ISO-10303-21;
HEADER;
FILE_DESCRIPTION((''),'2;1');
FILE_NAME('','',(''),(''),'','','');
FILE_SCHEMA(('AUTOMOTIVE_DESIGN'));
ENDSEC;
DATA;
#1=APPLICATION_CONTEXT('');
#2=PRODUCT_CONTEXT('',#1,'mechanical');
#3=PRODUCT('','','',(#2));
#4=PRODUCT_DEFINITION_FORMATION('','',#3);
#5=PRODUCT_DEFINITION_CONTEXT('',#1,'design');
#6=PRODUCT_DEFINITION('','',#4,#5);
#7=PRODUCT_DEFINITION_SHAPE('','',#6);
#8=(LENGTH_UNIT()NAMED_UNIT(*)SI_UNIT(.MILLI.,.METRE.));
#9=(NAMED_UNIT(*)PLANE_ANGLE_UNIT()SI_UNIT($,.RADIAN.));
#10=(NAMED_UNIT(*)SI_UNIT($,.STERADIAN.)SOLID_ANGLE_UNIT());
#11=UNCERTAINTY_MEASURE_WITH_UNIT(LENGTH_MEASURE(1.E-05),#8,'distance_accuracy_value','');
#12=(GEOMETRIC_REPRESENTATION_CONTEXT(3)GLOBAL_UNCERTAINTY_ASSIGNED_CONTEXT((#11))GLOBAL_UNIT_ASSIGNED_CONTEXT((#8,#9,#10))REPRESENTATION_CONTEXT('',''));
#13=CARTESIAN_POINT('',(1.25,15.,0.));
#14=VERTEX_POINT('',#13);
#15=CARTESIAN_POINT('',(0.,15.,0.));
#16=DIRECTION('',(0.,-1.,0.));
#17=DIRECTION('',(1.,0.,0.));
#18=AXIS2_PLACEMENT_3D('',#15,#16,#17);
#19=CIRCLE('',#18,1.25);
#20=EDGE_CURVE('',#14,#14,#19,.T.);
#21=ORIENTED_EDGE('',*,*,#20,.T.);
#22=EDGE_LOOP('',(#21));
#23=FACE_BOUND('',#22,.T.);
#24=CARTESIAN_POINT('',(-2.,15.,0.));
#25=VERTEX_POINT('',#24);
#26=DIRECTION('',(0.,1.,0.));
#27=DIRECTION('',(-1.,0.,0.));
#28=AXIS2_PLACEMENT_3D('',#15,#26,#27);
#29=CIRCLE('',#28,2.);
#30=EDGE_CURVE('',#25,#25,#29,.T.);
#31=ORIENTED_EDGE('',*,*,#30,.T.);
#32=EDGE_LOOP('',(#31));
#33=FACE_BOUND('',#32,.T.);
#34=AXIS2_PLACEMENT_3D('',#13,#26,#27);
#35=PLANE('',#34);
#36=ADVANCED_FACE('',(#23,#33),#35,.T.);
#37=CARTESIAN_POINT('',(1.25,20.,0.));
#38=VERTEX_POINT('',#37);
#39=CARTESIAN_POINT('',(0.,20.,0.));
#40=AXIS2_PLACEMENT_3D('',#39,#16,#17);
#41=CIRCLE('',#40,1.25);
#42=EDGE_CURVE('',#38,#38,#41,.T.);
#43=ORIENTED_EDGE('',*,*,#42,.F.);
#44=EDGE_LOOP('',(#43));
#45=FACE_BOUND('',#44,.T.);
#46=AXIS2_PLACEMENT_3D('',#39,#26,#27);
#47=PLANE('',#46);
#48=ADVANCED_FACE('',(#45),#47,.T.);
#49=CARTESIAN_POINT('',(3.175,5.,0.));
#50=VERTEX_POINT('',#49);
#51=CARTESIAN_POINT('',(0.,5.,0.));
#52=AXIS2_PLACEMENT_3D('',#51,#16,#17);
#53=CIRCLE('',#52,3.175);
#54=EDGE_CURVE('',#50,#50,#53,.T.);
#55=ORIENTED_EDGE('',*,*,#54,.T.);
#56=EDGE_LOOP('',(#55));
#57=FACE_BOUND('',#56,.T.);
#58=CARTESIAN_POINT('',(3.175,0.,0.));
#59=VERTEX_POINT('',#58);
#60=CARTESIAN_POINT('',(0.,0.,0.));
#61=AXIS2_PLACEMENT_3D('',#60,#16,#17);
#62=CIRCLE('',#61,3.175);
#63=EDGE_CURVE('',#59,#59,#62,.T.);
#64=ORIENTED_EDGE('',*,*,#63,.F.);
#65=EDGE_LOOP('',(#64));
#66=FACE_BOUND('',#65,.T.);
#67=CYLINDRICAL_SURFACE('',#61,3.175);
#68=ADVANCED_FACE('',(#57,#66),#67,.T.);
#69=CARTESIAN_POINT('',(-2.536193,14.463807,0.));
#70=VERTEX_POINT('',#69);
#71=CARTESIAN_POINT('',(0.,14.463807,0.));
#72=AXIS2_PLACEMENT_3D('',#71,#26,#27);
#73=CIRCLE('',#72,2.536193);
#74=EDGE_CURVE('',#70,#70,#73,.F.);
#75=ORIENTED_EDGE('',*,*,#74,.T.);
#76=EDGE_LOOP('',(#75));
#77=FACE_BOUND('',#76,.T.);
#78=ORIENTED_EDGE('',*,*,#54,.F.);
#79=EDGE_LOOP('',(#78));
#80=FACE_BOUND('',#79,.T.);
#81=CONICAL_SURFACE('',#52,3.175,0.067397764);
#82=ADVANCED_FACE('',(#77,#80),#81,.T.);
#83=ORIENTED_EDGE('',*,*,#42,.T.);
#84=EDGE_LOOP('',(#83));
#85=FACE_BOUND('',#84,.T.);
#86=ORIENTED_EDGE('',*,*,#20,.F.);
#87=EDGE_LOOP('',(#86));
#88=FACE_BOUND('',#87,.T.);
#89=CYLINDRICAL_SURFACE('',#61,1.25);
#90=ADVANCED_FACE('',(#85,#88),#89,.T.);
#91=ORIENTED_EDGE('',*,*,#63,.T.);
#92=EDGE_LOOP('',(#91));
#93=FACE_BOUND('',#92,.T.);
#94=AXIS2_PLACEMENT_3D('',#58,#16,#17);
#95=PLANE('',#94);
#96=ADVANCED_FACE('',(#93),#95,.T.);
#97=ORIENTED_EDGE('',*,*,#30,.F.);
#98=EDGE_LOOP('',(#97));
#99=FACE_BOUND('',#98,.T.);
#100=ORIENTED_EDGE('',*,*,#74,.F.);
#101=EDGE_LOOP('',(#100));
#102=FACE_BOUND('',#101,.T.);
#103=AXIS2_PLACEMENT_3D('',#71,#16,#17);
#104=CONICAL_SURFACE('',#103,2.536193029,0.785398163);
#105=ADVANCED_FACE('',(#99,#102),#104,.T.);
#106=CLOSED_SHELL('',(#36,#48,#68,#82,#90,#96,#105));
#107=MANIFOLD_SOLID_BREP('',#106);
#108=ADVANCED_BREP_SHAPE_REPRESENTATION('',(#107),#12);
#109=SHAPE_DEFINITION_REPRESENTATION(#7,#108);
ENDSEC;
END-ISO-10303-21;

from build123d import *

# Parameters (mm, degrees)
CHAMFER3_SIZE  = 0.5
CHAMFER3_SIZE2 = 0.537413156


with BuildPart() as part:
    # Sketch4 → Revolve1 (revolve)
    with BuildSketch(Plane.XY):
        Polygon((0, 0), (0, 15), (0, 20), (1.25, 20), (1.25, 15), (2.5, 15), (3.175, 5), (3.175, 0), align=None)
    revolve(axis=Axis((0, 0, 0), (0, 1, 0)))

    # Chamfer3
    chamfer3_edges = [part.edges().sort_by_distance(p)[0] for p in [
        (-2.5, 15, 0),
    ]]
    chamfer3_side = [part.faces().sort_by_distance(p)[0] for p in [
        (-1.320710678, 15, 0),
    ]]
    chamfer(chamfer3_edges, length=CHAMFER3_SIZE, length2=CHAMFER3_SIZE2, reference=chamfer3_side[0])


solid = part.part
